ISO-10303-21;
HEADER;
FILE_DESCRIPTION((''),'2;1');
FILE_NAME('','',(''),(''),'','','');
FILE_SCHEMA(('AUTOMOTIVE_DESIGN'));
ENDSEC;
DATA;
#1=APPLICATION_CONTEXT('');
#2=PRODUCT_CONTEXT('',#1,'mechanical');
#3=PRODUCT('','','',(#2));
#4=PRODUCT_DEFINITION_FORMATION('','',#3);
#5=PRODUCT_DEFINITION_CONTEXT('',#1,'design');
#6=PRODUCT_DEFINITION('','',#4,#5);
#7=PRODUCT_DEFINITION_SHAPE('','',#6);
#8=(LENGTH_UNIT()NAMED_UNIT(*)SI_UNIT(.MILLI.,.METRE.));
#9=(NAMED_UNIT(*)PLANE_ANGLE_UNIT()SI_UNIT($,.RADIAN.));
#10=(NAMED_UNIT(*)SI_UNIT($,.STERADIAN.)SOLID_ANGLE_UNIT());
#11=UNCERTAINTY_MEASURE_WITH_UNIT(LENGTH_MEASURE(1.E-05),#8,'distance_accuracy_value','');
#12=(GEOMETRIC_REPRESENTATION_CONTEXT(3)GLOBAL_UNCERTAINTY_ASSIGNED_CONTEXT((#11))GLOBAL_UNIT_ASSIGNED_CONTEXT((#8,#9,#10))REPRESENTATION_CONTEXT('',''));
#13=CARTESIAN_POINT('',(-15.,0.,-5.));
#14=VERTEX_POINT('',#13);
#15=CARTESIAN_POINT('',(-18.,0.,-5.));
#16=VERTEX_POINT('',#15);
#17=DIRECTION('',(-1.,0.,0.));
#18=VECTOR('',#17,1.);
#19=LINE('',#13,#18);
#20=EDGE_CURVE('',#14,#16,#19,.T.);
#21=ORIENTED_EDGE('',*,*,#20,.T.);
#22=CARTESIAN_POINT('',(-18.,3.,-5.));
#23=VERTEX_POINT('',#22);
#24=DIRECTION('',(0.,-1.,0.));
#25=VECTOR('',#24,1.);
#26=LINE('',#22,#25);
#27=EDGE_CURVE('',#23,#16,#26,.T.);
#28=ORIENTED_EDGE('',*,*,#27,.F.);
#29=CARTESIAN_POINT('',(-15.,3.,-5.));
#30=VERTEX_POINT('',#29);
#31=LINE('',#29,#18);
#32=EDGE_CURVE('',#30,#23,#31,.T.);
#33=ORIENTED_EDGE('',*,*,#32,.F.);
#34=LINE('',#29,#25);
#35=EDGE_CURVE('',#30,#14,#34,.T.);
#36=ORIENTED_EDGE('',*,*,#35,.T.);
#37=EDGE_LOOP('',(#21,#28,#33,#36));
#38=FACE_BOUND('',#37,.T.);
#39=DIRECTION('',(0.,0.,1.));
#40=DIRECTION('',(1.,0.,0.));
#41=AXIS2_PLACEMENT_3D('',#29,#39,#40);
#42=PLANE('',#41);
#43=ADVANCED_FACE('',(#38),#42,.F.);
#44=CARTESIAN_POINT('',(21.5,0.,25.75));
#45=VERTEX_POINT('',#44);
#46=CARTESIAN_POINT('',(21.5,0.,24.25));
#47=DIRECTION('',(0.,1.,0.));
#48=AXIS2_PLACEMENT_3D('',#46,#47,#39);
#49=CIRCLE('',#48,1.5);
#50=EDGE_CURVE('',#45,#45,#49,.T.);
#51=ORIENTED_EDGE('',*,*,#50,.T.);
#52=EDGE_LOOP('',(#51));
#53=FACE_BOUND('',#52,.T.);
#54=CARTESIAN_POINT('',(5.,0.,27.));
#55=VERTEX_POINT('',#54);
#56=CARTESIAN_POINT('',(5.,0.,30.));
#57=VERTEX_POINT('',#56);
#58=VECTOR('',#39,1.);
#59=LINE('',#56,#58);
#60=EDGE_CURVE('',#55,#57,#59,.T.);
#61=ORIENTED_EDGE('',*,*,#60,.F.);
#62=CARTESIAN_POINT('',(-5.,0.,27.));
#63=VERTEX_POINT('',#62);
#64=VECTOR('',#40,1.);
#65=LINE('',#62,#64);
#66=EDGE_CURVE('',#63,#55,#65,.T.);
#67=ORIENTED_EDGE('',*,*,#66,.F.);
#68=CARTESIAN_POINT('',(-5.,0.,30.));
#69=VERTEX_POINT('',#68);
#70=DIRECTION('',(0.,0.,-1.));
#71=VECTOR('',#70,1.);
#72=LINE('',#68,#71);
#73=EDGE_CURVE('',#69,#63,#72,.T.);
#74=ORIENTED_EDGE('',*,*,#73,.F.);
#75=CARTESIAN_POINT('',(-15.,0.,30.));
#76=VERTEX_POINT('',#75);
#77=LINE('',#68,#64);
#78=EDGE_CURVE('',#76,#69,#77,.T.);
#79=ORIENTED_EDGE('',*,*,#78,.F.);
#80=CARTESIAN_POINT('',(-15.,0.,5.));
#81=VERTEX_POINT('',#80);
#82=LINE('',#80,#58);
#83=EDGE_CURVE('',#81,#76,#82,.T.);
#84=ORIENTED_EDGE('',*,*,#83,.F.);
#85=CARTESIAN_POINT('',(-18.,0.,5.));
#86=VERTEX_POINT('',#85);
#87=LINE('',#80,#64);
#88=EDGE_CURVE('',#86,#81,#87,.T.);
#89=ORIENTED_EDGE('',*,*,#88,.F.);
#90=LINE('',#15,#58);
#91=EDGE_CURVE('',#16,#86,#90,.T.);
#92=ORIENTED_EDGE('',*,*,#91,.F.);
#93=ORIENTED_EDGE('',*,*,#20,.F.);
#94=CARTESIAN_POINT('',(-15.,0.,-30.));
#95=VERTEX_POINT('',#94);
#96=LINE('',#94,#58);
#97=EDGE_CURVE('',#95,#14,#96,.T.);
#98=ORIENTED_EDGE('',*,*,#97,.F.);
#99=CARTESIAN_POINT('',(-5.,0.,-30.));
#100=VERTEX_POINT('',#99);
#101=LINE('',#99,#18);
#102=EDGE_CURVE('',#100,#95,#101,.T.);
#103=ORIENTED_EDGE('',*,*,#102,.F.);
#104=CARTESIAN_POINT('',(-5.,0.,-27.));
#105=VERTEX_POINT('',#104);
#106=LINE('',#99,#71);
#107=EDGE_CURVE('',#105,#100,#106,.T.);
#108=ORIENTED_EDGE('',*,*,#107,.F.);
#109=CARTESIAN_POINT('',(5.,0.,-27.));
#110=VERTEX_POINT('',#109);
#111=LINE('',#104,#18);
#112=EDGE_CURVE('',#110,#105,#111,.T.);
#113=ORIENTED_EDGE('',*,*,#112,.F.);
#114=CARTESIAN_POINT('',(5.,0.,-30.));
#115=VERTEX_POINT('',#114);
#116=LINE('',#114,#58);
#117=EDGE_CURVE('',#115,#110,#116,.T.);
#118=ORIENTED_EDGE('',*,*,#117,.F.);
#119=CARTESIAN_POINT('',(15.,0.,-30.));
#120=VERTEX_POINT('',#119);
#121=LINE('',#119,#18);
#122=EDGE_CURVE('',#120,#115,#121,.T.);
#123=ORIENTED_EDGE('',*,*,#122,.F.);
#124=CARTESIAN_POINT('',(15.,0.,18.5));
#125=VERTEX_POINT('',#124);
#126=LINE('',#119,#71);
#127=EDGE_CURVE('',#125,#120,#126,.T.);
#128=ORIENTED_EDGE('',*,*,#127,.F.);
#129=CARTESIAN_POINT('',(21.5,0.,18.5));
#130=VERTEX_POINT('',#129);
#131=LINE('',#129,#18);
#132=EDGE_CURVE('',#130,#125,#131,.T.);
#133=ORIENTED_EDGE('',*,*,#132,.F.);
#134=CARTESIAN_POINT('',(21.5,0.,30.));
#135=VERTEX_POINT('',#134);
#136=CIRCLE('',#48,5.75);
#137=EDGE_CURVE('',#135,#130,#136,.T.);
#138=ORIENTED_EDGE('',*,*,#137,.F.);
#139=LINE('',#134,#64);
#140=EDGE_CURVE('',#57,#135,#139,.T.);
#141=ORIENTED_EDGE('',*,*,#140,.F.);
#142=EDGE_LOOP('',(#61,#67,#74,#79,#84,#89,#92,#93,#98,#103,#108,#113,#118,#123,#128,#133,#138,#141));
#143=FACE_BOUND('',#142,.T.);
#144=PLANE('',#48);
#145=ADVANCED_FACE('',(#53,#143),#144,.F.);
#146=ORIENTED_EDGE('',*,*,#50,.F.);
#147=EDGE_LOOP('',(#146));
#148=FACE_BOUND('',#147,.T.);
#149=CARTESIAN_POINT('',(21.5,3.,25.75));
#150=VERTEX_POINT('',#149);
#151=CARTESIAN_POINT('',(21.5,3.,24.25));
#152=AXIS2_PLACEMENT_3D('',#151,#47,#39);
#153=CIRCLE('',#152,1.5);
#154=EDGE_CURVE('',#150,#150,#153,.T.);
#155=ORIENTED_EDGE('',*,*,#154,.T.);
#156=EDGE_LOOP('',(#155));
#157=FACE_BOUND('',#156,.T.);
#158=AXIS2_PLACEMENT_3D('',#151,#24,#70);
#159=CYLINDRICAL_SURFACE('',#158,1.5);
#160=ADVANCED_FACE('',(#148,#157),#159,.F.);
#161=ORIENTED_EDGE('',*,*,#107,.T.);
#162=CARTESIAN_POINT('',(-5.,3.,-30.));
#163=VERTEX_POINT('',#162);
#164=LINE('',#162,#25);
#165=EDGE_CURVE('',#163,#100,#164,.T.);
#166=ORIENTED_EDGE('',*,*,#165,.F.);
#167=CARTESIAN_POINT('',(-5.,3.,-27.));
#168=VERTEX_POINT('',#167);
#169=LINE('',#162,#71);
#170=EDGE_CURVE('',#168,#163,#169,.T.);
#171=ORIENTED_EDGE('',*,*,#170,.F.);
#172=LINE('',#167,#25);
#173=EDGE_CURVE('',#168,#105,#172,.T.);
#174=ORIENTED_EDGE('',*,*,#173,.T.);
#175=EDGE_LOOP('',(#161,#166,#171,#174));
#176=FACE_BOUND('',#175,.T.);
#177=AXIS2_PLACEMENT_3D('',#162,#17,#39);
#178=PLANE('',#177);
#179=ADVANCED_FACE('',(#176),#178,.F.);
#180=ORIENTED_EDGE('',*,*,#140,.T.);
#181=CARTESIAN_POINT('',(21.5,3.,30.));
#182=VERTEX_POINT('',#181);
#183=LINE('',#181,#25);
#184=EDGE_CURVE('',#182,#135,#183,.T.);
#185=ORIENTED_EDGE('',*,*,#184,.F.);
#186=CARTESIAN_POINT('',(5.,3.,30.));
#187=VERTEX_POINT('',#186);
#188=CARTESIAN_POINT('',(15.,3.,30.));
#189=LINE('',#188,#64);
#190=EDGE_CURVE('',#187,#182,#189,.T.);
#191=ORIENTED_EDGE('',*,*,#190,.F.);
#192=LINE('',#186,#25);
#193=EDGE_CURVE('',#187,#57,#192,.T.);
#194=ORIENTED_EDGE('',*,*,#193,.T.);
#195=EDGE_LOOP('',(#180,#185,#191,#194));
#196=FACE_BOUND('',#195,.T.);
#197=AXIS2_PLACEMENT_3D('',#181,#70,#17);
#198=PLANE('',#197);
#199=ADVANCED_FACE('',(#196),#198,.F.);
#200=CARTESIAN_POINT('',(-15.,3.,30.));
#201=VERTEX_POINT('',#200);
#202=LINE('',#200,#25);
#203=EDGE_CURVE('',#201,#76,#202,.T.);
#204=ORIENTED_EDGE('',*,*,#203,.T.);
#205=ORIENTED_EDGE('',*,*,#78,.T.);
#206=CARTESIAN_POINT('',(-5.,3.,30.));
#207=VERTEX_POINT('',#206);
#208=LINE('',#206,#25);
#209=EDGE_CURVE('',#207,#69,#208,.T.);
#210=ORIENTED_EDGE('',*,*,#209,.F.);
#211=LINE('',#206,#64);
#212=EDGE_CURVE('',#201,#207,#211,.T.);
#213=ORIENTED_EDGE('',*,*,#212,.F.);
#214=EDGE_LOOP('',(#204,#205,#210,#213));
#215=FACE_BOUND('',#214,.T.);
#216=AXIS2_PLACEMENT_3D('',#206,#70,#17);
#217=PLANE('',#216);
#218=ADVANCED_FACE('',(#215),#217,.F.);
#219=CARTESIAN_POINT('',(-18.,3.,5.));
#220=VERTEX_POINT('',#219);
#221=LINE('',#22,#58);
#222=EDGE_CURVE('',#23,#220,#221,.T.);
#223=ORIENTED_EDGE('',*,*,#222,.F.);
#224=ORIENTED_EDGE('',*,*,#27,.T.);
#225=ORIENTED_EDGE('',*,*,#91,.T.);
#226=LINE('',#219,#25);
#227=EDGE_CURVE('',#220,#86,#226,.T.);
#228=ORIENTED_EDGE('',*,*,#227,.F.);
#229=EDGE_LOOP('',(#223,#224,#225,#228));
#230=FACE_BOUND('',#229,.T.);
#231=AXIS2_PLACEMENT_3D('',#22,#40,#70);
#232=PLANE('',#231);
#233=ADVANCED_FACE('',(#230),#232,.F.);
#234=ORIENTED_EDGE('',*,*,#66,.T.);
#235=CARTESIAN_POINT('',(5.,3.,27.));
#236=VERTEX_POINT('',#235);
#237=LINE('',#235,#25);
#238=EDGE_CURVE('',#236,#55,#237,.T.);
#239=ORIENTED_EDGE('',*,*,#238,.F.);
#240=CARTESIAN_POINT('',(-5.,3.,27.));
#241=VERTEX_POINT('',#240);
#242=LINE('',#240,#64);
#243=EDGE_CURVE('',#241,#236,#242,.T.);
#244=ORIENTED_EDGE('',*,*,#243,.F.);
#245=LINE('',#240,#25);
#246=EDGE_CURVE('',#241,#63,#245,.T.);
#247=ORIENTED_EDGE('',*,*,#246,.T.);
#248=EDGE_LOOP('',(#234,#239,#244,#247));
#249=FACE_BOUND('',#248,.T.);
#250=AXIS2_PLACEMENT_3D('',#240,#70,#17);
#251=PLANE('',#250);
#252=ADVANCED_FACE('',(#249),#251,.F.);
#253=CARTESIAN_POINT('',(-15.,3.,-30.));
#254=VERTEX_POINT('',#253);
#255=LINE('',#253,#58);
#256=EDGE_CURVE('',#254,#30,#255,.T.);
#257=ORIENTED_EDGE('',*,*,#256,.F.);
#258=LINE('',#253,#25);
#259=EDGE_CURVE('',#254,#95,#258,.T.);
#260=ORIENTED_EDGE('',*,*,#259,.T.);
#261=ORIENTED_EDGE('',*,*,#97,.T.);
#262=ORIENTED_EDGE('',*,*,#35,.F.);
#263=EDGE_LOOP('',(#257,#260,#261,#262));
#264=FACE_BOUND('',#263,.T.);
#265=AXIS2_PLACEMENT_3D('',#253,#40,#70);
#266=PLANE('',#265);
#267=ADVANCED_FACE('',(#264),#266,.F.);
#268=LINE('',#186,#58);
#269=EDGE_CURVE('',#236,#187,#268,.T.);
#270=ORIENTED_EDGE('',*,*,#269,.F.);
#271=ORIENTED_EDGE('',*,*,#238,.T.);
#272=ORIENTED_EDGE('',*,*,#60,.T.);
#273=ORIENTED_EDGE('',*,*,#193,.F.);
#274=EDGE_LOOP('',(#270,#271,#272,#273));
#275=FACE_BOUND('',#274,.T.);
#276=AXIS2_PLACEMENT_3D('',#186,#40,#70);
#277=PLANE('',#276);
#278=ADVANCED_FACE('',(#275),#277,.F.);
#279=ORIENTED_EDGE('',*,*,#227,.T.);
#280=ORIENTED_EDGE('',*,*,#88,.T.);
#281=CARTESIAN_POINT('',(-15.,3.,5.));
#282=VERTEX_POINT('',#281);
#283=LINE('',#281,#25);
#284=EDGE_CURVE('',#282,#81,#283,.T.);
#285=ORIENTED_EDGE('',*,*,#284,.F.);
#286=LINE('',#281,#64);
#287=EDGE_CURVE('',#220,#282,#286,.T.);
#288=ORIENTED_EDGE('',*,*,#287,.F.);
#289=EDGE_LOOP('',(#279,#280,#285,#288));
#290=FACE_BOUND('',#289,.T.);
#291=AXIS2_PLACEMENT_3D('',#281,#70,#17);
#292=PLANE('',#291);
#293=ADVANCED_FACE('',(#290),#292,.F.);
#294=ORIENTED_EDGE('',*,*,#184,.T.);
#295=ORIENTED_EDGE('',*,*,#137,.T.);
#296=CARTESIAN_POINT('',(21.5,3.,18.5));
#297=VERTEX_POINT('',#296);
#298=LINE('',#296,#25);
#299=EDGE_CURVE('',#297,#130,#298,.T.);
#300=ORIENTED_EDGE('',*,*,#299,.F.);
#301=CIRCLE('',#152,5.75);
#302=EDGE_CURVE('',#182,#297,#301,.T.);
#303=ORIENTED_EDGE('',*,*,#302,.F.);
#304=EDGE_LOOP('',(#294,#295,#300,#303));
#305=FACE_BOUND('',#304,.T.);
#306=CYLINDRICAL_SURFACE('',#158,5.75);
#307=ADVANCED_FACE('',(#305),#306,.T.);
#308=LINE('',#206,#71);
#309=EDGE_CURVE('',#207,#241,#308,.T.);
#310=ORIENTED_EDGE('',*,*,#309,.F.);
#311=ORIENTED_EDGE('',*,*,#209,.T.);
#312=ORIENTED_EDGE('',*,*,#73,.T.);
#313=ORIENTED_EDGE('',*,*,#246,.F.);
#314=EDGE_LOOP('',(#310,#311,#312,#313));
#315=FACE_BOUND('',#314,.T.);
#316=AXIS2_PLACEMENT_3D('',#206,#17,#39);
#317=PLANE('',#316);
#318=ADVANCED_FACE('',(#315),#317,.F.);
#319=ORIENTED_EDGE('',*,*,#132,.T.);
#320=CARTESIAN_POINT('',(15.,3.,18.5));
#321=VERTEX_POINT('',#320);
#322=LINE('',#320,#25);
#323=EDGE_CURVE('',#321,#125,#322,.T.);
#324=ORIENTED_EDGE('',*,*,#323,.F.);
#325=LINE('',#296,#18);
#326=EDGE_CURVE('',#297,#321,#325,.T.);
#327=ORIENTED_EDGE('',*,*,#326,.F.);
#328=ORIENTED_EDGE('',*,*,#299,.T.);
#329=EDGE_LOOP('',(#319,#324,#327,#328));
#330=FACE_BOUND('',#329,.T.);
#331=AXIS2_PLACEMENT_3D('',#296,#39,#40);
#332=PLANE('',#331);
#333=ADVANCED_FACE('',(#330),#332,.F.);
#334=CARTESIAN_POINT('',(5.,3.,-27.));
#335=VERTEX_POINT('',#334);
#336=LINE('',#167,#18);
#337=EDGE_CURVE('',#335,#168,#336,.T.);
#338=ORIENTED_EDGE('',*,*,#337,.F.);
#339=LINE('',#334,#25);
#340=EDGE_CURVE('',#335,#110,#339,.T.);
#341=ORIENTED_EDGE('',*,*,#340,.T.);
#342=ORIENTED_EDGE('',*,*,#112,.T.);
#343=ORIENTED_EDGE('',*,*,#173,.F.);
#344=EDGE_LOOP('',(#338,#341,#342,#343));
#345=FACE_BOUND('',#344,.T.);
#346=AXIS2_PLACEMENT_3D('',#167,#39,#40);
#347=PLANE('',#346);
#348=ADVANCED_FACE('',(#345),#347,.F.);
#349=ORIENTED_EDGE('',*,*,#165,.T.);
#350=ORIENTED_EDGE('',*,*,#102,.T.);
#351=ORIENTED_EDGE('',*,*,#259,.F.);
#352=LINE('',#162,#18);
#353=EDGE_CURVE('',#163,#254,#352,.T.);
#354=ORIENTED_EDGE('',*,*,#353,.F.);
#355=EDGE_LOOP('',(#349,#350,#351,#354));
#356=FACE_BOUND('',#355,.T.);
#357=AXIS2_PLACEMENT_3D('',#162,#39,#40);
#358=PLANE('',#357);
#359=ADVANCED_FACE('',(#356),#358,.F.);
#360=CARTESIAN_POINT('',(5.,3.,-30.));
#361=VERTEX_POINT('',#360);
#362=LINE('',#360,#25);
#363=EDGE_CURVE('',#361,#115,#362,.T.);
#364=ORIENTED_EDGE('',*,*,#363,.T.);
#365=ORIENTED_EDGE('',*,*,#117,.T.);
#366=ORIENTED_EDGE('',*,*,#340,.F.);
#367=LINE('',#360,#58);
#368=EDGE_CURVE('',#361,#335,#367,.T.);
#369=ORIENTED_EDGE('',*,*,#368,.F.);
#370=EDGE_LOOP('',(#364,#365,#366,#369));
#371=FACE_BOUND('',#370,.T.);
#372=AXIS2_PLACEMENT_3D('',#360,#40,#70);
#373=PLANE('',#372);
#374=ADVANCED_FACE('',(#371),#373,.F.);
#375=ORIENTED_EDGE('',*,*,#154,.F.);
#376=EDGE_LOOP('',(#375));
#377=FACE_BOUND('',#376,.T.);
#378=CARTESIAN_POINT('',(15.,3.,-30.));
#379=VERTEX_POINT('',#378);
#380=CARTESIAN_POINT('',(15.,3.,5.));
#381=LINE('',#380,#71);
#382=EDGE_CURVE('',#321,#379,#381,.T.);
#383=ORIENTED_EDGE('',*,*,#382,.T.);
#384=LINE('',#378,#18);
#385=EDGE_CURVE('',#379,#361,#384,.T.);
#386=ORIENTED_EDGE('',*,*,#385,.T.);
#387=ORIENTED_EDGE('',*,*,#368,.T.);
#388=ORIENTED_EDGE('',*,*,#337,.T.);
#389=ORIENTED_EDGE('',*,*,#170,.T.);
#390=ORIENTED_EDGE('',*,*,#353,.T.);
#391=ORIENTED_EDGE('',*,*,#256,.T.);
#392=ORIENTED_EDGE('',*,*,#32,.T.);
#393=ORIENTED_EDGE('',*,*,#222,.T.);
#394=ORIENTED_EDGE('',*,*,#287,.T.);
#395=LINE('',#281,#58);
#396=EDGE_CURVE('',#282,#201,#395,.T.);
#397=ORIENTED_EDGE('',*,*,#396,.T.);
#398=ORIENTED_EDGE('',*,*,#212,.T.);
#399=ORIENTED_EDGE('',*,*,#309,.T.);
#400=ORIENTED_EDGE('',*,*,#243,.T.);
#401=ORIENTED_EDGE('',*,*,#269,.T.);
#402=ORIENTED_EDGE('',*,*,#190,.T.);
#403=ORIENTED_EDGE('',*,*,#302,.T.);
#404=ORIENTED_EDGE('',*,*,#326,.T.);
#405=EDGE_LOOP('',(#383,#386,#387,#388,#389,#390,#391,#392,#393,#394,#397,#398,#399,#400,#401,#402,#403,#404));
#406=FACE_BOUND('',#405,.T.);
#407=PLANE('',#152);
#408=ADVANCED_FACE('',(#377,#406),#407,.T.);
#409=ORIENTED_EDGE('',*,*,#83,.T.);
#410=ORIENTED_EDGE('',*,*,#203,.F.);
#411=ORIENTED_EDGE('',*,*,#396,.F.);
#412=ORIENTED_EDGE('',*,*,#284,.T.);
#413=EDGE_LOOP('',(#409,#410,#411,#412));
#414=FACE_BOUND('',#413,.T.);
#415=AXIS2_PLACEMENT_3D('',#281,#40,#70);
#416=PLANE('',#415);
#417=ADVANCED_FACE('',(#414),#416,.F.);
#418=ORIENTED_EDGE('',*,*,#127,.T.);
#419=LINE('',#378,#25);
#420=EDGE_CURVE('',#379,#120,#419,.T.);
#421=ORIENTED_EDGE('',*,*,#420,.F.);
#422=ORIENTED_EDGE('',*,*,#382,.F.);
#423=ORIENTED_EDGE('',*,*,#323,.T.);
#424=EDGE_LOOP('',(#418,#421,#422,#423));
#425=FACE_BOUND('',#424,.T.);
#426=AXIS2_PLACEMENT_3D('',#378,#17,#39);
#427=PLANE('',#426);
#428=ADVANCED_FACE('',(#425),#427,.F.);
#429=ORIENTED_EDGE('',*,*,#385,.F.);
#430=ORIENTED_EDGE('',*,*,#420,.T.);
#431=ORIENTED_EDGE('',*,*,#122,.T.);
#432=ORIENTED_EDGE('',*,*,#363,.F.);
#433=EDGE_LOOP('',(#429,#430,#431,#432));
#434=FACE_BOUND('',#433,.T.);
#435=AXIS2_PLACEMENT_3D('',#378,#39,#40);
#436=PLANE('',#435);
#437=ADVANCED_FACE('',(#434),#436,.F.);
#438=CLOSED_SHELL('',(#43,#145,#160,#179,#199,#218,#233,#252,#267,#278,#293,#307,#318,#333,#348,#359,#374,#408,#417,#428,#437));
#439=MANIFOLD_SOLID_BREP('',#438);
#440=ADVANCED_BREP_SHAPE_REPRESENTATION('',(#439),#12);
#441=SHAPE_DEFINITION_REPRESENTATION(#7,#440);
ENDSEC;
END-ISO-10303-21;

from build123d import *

# Parameters (mm, degrees)
SKETCH1_R           = 1.5
BOSS_EXTRUDE1_DEPTH = 3


with BuildPart() as part:
    # Sketch1 → Boss-Extrude1 (new body)
    with BuildSketch(Plane(origin=(0, 0, 0), x_dir=(1, 0, 0), z_dir=(0, 1, 0))):
        with BuildLine():
            Line((21.5, -18.5), (15, -18.5))
            Line((15, -18.5), (15, -5))
            Line((15, -5), (15, 30))
            Line((15, 30), (5, 30))
            Line((5, 30), (5, 27))
            Line((5, 27), (-5, 27))
            Line((-5, 27), (-5, 30))
            Line((-5, 30), (-15, 30))
            Line((-15, 30), (-15, 5))
            Line((-15, 5), (-18, 5))
            Line((-18, 5), (-18, -5))
            Line((-18, -5), (-15, -5))
            Line((-15, -5), (-15, -30))
            Line((-15, -30), (-5, -30))
            Line((-5, -30), (-5, -27))
            Line((-5, -27), (5, -27))
            Line((5, -27), (5, -30))
            Line((5, -30), (15, -30))
            Line((15, -30), (21.5, -30))
            ThreePointArc((21.5, -30), (27.25, -24.25), (21.5, -18.5))
        make_face()
        with Locations(Location((21.5, -24.25, 0), (0, 0, 270))):
            Circle(SKETCH1_R, mode=Mode.SUBTRACT)
    extrude(amount=BOSS_EXTRUDE1_DEPTH)


solid = part.part
